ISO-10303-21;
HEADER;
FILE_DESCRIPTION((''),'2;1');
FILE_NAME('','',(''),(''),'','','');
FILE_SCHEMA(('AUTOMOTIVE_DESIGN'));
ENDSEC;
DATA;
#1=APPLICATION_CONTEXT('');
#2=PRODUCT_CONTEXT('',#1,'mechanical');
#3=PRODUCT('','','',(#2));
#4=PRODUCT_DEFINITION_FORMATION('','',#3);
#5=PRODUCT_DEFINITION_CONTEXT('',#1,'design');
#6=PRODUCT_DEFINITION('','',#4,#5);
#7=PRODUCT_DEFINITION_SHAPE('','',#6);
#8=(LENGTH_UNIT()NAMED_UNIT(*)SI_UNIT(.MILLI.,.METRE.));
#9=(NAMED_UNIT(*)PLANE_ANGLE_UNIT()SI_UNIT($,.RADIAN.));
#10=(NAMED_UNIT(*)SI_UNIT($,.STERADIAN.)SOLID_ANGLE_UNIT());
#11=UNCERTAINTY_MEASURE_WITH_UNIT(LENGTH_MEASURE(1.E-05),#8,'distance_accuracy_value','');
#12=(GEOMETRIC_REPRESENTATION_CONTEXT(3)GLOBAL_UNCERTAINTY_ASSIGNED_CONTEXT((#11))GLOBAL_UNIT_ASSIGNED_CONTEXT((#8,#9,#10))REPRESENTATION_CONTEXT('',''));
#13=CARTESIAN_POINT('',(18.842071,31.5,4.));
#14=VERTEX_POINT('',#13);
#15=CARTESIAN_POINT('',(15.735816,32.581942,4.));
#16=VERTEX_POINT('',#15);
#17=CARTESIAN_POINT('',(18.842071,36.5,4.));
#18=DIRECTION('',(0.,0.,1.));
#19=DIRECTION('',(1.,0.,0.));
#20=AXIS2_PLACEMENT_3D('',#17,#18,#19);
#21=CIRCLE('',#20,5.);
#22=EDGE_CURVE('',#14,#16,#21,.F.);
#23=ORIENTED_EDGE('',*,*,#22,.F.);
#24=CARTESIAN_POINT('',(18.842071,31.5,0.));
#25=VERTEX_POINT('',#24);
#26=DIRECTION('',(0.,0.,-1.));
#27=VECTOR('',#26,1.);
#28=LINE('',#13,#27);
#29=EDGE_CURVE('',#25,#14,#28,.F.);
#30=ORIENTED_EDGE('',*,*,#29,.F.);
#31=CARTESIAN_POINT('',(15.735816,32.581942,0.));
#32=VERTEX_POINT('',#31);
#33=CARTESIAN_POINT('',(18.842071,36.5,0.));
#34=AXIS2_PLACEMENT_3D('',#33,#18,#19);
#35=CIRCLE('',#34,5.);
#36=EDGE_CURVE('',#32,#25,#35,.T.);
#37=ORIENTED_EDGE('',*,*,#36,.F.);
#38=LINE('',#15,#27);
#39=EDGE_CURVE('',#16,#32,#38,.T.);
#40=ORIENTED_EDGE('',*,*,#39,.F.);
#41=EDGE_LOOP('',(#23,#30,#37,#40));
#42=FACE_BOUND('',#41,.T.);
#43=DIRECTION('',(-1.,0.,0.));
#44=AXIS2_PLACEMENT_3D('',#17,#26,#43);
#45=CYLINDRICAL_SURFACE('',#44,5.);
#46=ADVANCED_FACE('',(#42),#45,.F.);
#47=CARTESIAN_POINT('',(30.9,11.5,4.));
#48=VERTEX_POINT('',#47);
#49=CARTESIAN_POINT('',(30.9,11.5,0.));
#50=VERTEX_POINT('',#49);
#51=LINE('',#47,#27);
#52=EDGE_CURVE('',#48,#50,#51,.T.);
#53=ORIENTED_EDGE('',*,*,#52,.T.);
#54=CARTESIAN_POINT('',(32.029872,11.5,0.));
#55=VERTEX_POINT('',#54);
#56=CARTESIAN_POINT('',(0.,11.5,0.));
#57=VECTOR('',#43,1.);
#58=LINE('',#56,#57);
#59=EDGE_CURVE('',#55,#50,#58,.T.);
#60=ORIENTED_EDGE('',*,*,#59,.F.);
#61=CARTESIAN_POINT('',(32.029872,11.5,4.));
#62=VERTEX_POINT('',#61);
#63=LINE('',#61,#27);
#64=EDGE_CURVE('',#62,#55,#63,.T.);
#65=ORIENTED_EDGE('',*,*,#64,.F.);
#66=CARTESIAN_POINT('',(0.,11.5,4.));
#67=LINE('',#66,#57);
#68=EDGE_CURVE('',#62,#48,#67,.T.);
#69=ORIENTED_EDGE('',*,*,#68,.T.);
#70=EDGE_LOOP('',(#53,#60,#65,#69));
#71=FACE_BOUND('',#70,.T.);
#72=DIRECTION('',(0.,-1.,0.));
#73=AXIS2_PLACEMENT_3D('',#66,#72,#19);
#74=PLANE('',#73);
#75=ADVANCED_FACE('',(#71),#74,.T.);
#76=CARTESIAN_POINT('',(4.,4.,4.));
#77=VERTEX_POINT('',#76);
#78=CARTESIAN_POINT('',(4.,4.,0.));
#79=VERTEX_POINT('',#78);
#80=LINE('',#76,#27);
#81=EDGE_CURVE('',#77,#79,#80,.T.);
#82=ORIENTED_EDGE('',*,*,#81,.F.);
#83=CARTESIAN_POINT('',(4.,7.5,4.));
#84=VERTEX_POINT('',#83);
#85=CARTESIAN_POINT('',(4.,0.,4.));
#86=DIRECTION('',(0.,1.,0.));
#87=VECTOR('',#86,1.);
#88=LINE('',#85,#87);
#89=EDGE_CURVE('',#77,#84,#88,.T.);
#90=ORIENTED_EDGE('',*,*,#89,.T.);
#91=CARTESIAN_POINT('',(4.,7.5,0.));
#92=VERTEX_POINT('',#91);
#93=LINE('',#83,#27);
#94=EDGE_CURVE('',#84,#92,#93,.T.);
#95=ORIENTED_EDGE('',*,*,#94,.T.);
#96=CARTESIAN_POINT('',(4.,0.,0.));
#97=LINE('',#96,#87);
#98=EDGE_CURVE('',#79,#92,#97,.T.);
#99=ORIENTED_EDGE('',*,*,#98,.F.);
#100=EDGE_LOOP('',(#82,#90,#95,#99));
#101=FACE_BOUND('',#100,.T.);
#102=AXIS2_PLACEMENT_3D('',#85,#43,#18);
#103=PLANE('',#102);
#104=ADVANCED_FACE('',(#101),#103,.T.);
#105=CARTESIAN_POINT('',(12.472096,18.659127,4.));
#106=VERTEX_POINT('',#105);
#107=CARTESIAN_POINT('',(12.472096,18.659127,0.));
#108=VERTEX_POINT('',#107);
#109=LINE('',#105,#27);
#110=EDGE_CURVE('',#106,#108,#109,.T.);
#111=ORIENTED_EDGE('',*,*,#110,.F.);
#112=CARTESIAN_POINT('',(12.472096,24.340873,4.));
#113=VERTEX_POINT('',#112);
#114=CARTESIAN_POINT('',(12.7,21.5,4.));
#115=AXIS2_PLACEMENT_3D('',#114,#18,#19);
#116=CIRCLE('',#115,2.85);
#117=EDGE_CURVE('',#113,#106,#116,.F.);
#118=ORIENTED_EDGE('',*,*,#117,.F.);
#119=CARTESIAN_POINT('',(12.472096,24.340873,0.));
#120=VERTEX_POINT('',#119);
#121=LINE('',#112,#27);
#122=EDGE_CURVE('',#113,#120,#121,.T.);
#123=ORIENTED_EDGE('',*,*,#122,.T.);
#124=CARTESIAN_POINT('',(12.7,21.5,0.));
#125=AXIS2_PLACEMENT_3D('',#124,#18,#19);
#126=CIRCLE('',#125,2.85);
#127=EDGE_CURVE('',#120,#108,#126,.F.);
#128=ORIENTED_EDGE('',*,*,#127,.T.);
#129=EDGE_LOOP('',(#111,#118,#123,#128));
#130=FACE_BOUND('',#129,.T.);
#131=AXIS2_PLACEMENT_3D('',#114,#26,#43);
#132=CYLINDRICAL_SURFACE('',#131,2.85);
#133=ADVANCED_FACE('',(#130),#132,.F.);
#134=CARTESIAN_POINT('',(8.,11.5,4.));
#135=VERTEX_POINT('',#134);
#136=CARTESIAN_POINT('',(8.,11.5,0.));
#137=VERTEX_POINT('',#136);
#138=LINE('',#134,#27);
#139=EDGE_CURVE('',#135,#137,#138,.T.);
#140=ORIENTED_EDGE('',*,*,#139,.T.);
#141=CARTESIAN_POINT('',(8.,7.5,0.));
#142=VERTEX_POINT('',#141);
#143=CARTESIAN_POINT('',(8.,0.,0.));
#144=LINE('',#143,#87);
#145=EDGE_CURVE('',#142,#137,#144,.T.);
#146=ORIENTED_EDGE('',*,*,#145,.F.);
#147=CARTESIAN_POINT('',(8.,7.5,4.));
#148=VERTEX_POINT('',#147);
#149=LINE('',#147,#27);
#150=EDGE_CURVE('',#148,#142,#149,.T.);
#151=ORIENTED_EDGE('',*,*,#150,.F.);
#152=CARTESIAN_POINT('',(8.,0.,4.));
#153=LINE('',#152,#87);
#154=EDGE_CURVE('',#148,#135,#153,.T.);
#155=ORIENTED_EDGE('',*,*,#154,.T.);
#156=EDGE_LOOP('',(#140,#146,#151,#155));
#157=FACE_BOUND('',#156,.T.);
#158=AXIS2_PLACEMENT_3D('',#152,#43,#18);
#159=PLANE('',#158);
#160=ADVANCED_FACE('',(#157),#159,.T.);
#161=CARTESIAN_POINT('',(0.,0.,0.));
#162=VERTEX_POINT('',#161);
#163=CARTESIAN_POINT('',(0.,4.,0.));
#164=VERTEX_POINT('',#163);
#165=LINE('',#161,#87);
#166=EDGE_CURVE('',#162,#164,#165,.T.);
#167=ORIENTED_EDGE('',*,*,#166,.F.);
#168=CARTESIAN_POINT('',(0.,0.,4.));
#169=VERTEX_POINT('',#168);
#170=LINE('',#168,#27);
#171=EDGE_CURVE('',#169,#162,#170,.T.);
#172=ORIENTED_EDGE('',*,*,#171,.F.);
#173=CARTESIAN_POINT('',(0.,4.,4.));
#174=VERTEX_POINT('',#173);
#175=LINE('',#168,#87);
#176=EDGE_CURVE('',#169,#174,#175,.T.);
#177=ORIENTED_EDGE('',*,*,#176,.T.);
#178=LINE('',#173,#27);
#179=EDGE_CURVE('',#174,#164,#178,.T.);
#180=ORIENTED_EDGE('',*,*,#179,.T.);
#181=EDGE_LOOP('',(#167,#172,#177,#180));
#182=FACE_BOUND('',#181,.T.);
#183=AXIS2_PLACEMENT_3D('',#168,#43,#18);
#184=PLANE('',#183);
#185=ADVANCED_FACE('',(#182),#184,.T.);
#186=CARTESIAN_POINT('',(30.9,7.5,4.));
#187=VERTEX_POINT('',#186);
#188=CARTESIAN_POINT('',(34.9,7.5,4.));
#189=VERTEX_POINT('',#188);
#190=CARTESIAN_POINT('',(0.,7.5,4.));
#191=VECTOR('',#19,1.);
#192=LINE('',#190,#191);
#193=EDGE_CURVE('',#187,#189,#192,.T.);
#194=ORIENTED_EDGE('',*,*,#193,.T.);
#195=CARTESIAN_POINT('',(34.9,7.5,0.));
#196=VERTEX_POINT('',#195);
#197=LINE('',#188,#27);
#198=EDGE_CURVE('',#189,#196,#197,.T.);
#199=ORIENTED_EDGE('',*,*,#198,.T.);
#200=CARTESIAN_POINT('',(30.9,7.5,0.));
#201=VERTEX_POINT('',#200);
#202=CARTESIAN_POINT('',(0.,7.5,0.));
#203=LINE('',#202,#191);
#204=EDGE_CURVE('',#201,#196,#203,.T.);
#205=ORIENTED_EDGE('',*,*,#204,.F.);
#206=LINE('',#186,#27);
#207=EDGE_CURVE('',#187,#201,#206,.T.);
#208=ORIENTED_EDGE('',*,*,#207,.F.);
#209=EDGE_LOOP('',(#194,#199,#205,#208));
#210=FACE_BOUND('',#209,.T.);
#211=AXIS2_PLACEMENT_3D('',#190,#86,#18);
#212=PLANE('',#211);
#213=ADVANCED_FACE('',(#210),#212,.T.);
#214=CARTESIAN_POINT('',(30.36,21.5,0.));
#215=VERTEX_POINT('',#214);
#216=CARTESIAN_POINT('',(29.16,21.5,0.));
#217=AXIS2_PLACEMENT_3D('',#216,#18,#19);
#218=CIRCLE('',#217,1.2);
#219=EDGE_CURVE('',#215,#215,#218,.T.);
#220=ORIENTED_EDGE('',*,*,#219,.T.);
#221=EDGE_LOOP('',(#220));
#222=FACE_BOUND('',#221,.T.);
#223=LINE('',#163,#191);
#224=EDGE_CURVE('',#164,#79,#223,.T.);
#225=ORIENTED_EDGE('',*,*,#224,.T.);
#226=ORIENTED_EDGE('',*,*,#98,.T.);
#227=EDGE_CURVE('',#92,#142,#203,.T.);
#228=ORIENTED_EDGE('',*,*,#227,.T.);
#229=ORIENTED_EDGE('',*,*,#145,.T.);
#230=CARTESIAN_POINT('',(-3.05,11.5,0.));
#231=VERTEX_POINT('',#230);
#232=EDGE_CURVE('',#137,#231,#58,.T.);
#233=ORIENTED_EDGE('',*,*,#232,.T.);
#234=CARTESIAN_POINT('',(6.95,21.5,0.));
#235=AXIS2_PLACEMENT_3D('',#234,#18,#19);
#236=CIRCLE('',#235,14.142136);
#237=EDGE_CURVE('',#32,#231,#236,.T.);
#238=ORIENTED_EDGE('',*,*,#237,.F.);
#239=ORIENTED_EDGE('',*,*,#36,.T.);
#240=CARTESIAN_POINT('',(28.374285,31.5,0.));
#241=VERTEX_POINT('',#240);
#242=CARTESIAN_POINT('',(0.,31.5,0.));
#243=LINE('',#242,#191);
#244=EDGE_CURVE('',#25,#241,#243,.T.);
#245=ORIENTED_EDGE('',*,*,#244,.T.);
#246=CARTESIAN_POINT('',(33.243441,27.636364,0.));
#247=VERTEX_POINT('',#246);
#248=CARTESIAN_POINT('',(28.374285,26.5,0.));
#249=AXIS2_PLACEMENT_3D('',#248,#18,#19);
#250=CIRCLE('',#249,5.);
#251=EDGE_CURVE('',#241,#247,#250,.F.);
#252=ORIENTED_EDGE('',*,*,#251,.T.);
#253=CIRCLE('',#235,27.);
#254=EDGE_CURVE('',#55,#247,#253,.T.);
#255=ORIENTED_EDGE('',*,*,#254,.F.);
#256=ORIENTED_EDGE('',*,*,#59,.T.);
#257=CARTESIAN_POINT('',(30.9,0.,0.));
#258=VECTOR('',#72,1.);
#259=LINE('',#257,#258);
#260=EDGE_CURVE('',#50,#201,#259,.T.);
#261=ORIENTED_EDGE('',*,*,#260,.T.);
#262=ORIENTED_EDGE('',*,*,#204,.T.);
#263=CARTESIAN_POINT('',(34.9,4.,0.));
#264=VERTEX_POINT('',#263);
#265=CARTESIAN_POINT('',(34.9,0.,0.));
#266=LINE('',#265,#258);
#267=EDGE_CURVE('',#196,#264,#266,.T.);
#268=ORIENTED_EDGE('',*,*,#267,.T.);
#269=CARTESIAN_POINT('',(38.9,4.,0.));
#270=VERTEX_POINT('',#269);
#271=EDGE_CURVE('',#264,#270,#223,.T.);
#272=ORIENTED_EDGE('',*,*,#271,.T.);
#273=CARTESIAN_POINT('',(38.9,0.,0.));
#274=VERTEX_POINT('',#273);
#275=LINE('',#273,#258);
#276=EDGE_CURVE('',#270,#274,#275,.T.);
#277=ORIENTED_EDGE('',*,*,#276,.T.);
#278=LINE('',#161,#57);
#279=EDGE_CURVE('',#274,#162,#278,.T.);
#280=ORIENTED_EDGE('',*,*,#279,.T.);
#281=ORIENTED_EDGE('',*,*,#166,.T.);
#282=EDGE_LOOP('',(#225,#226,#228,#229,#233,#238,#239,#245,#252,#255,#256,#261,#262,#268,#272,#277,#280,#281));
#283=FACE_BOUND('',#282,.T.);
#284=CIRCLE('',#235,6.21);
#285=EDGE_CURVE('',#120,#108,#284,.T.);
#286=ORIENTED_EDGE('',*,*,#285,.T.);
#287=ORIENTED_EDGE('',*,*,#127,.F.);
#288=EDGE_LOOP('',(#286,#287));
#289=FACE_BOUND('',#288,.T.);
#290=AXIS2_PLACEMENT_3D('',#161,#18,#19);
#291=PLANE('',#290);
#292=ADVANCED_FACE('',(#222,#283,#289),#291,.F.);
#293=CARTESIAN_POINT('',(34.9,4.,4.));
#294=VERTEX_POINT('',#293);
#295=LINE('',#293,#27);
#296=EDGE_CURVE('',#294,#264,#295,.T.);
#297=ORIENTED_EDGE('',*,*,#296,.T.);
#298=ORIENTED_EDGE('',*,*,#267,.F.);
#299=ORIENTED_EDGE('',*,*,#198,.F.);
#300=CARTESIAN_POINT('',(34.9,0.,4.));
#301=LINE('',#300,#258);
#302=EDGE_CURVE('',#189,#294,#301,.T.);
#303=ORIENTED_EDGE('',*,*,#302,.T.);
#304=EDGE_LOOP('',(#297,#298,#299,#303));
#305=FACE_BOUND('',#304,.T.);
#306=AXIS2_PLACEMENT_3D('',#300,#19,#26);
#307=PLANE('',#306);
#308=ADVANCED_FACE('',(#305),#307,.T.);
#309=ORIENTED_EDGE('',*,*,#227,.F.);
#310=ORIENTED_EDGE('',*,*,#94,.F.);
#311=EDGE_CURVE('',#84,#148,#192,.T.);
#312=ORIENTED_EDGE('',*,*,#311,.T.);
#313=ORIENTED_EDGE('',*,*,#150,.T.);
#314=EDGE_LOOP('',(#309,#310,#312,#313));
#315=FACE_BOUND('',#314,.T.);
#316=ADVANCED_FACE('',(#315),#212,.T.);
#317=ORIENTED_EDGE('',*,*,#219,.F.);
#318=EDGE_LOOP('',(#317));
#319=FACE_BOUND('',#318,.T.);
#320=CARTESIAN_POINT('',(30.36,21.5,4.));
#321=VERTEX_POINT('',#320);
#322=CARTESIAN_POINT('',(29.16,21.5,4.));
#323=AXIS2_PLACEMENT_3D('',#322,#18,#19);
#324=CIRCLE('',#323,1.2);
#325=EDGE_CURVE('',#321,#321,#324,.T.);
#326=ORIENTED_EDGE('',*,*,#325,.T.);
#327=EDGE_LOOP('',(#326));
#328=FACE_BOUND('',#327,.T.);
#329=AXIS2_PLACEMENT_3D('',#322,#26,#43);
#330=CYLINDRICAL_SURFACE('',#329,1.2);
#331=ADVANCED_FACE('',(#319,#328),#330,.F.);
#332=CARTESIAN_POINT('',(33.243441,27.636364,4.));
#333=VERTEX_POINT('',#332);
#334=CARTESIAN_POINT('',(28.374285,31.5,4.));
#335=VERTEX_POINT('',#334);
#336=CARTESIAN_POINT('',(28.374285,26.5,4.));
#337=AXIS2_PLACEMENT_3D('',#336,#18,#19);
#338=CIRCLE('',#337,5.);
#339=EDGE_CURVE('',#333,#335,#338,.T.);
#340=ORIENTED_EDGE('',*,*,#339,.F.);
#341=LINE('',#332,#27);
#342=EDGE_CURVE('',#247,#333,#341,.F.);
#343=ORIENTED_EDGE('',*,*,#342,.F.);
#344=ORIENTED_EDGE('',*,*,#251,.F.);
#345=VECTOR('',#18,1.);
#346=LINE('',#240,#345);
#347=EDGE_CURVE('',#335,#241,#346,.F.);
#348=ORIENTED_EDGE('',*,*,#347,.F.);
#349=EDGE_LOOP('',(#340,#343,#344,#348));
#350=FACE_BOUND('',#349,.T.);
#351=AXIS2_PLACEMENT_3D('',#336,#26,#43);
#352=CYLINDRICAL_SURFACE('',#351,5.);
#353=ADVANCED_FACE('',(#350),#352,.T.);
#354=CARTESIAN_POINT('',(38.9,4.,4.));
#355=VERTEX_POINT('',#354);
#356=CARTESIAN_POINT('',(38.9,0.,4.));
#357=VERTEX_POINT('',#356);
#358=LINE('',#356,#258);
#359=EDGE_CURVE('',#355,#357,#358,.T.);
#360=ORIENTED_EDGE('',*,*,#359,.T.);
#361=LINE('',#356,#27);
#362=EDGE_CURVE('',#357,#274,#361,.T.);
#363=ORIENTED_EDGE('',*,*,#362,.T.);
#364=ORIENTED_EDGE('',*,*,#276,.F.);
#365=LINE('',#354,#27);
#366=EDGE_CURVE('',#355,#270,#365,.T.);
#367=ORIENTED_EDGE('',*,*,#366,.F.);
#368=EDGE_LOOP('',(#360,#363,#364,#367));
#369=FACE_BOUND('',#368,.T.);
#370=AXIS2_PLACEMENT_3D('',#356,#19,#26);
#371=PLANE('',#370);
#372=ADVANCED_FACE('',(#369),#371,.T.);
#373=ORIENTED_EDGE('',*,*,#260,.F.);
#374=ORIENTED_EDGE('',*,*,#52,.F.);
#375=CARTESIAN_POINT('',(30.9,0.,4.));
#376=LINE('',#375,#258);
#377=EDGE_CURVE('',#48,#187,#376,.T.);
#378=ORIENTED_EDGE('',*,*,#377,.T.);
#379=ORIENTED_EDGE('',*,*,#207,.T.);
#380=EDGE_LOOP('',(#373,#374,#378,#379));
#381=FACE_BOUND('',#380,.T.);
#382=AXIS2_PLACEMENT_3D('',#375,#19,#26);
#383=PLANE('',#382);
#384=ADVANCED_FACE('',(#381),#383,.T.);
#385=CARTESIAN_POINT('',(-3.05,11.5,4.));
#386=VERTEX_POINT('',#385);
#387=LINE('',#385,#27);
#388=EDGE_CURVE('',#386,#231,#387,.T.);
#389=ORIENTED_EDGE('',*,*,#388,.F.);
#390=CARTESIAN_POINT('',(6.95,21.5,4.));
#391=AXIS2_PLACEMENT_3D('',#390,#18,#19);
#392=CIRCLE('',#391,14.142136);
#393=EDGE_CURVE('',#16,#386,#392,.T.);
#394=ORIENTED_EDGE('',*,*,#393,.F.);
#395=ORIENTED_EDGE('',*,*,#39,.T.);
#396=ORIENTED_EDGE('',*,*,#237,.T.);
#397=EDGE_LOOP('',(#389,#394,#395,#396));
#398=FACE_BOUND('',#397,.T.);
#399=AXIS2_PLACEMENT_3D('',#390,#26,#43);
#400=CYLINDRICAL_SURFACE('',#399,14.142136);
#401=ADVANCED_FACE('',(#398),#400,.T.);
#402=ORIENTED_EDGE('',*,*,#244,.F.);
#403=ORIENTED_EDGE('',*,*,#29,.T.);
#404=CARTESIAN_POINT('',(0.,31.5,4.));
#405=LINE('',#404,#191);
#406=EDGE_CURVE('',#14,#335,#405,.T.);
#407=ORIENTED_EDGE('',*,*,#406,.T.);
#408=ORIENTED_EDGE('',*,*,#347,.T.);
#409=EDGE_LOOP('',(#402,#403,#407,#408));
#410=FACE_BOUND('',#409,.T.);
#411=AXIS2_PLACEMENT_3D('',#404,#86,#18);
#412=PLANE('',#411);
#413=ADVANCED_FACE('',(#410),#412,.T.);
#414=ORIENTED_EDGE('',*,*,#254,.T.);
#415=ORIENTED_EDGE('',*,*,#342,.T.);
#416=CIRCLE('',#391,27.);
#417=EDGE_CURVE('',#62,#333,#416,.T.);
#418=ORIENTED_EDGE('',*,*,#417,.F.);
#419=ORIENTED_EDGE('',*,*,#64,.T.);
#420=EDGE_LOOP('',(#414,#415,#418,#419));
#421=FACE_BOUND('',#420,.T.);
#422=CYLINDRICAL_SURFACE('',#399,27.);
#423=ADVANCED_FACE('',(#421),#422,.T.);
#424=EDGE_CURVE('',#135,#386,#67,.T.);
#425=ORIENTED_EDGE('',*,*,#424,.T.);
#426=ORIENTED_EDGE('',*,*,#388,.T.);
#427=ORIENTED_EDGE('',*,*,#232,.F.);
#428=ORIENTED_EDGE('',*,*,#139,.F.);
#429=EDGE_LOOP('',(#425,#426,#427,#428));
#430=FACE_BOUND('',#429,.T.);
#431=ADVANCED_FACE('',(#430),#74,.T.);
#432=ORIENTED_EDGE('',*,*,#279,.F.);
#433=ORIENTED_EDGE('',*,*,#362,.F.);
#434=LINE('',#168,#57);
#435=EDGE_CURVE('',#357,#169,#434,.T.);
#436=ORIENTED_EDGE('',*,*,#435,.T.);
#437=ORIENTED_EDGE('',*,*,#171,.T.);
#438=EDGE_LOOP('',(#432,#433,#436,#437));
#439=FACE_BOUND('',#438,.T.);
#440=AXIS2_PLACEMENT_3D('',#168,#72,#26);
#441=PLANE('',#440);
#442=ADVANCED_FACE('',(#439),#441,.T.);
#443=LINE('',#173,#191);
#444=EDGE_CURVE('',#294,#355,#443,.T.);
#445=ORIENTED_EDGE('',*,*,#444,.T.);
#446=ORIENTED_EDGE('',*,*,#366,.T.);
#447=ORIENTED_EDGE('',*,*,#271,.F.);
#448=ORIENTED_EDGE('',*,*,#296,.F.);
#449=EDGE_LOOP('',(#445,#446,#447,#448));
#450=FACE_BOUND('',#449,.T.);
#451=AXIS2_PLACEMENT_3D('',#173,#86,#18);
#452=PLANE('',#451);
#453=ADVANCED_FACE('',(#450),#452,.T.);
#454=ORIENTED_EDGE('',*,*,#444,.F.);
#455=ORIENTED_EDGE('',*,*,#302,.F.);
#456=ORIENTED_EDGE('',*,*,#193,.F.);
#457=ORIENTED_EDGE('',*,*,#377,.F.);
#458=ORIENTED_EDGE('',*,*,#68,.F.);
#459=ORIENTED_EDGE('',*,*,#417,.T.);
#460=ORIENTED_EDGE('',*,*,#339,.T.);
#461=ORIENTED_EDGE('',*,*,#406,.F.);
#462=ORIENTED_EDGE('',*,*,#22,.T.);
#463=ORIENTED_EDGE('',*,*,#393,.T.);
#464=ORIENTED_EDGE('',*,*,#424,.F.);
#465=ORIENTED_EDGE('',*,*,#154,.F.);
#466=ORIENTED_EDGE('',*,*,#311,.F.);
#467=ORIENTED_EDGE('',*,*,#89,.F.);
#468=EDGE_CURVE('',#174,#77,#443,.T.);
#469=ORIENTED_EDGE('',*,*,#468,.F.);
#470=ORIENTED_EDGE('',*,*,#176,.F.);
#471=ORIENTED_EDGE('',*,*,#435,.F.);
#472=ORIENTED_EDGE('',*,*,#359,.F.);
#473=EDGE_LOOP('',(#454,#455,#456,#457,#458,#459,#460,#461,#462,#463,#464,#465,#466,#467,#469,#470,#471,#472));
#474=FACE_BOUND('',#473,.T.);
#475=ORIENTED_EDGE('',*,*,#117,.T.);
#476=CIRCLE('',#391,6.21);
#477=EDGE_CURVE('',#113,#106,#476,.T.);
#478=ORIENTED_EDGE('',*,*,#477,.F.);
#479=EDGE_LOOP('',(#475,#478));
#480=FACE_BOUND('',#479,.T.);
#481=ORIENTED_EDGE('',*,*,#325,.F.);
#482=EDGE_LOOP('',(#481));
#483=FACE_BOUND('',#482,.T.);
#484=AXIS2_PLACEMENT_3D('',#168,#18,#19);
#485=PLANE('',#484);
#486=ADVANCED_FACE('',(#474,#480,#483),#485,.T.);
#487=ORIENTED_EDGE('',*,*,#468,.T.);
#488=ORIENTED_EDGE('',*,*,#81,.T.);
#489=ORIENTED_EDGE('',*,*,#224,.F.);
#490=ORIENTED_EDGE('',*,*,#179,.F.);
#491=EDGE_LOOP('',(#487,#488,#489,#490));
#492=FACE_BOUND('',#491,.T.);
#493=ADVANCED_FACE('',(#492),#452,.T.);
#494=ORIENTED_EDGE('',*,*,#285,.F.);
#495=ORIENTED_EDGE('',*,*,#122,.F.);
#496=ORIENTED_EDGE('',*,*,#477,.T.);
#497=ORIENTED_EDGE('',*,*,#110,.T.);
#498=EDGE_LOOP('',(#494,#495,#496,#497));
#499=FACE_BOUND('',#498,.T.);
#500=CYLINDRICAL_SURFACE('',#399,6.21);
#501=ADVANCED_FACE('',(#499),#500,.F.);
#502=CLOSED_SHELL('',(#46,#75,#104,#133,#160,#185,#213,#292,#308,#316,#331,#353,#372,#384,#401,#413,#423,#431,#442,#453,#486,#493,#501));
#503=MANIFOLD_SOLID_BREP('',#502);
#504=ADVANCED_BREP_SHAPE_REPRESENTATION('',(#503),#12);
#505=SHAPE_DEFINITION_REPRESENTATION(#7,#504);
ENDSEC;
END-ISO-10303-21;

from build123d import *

# Parameters (mm, degrees)
SKETCH2_R           = 1.2
BOSS_EXTRUDE1_DEPTH = 4
FILLET1_R           = 5


with BuildPart() as part:
    # Sketch2 → Boss-Extrude1 (new body)
    with BuildSketch(Plane.XY):
        with BuildLine():
            Line((0, 4), (0, 0))
            Line((0, 0), (38.9, 0))
            Line((38.9, 0), (38.9, 4))
            Line((38.9, 4), (34.9, 4))
            Line((34.9, 4), (34.9, 7.5))
            Line((34.9, 7.5), (30.9, 7.5))
            Line((30.9, 7.5), (30.9, 11.5))
            Line((30.9, 11.5), (32.029872408, 11.5))
            ThreePointArc((32.029872408, 11.5), (33.95, 21.5), (32.029872408, 31.5))
            Line((32.029872408, 31.5), (16.95, 31.5))
            ThreePointArc((16.95, 31.5), (-3.05, 31.5), (-3.05, 11.5))
            Line((-3.05, 11.5), (8, 11.5))
            Line((8, 11.5), (8, 7.5))
            Line((8, 7.5), (4, 7.5))
            Line((4, 7.5), (4, 4))
            Line((4, 4), (0, 4))
        make_face()
        with BuildLine():
            ThreePointArc((12.472095652, 24.340873036), (15.55, 21.5), (12.472095652, 18.659126964))
            ThreePointArc((12.472095652, 18.659126964), (0.74, 21.5), (12.472095652, 24.340873036))
        make_face(mode=Mode.SUBTRACT)
        with Locations((29.16, 21.5)):
            Circle(SKETCH2_R, mode=Mode.SUBTRACT)
    extrude(amount=BOSS_EXTRUDE1_DEPTH)

    # Fillet1
    fillet1_edges = [part.edges().sort_by_distance(p)[0] for p in [
        (16.95, 31.5, 2),
        (32.029872408, 31.5, 2),
    ]]
    fillet(fillet1_edges, radius=FILLET1_R)


solid = part.part
